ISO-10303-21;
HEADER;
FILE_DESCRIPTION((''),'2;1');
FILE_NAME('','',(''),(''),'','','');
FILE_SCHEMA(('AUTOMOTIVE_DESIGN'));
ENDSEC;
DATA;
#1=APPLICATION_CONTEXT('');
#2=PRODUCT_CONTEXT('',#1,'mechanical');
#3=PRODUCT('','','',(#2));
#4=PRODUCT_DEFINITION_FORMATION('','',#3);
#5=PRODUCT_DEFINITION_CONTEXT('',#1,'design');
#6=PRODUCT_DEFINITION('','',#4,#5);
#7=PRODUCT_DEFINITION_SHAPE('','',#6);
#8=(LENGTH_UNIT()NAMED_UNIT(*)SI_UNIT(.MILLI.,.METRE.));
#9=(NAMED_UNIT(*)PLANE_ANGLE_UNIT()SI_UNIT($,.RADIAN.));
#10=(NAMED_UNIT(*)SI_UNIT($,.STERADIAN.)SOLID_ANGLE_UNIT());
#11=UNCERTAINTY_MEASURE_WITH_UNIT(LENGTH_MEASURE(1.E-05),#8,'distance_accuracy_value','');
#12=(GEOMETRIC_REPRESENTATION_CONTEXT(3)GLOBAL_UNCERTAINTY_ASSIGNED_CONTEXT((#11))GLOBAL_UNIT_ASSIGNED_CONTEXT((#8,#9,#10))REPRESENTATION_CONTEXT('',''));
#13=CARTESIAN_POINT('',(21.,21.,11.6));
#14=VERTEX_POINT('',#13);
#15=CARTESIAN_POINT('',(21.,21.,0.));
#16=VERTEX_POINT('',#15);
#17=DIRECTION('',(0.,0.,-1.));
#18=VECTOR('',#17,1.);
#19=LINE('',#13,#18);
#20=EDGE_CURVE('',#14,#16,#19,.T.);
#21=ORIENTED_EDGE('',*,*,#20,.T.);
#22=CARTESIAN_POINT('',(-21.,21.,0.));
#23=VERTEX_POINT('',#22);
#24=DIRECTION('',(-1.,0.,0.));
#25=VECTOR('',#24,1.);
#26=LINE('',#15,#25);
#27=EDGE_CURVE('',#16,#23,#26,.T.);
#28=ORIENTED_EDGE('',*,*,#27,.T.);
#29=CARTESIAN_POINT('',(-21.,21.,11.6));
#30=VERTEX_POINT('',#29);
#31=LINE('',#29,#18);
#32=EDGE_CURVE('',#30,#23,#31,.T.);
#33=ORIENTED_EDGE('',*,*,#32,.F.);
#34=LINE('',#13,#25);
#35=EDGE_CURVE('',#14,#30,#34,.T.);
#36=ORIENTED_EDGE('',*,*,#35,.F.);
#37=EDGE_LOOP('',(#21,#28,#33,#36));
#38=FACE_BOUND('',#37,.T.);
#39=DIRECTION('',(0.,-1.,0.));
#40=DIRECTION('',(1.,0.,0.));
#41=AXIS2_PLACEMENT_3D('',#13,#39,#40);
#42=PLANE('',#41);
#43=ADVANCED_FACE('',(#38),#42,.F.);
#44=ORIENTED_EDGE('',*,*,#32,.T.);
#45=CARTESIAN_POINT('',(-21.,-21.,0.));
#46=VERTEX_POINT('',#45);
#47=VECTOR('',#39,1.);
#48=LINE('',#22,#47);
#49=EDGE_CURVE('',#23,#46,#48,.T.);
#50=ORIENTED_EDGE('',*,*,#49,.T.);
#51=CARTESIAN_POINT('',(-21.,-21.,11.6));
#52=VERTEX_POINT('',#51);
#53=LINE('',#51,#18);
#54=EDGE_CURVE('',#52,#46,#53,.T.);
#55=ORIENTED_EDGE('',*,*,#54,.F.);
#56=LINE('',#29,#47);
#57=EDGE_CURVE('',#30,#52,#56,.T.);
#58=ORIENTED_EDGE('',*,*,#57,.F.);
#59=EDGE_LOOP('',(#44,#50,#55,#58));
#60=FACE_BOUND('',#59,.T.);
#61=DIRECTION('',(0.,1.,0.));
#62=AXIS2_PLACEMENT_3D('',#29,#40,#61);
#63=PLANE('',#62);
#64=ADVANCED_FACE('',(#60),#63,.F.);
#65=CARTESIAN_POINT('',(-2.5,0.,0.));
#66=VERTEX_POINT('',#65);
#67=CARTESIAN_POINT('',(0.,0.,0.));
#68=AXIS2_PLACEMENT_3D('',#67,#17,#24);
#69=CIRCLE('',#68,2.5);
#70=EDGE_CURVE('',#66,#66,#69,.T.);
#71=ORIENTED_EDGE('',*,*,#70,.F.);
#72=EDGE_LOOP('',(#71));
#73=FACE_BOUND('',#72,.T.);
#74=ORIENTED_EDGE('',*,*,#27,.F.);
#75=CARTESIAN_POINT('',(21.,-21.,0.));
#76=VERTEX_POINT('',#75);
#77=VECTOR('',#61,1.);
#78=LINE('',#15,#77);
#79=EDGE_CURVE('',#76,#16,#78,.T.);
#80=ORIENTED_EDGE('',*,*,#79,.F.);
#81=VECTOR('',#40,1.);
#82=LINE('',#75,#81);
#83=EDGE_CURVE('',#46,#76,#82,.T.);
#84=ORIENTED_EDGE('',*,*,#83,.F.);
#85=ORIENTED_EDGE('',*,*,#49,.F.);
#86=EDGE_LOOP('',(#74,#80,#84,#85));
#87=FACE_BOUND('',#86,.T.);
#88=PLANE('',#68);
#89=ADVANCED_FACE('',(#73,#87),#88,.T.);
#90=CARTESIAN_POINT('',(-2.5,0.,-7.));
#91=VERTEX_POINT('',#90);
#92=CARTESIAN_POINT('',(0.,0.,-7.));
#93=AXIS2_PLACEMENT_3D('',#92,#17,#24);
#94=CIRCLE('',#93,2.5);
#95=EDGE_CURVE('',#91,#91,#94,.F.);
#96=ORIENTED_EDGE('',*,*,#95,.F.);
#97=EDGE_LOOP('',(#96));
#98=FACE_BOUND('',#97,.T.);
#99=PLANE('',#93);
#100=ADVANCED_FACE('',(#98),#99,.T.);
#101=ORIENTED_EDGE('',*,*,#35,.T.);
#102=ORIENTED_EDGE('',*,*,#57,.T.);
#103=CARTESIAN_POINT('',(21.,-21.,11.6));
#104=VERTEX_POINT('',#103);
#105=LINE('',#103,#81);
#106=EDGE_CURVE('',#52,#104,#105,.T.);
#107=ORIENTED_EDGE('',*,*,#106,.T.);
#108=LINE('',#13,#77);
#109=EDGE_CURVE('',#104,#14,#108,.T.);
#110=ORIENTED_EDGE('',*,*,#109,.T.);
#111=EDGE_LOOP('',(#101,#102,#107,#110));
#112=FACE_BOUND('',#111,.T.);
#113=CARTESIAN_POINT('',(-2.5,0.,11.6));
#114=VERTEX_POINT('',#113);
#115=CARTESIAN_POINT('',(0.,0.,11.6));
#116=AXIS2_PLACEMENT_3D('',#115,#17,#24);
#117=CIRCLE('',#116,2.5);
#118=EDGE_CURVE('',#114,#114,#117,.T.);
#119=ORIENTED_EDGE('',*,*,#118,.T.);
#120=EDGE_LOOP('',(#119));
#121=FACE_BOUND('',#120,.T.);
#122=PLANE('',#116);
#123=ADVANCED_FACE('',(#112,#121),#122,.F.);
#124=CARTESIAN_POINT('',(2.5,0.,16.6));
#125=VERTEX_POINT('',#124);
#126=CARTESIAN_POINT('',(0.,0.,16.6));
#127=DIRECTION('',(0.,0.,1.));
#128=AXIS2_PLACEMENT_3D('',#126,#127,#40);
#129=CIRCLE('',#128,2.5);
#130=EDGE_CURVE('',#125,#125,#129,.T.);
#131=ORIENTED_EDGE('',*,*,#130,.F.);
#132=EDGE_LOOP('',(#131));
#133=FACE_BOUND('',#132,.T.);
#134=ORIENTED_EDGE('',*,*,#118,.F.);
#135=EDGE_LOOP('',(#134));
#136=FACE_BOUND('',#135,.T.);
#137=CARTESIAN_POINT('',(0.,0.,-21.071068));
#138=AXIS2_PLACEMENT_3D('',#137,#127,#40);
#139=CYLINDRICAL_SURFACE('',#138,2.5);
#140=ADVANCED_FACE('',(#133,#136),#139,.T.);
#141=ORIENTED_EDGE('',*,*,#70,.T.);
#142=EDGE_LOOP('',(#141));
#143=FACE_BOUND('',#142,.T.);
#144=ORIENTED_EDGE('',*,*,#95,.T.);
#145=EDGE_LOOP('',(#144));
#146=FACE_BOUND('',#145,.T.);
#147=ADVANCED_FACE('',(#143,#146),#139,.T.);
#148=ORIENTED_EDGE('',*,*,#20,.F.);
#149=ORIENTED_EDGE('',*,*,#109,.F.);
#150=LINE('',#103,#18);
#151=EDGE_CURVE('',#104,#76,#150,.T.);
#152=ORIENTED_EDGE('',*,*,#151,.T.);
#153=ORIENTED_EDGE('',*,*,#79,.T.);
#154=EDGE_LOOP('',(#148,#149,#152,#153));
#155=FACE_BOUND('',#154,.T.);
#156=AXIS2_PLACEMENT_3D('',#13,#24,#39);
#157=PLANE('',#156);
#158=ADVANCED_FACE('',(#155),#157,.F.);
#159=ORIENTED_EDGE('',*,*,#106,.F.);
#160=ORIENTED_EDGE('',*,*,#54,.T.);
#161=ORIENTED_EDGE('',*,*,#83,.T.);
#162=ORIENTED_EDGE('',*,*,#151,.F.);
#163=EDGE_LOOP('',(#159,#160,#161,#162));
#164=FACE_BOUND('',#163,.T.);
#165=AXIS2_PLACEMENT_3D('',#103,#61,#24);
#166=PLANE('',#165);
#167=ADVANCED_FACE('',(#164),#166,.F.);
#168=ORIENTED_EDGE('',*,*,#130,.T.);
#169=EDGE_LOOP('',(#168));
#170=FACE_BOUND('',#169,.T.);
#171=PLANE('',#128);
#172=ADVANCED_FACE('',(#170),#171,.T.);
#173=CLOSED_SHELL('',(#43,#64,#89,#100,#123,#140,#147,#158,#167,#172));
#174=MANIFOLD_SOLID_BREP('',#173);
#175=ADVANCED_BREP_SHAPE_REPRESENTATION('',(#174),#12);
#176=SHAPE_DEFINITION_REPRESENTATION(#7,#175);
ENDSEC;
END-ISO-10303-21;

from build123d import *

# Parameters (mm, degrees)
SKETCH1_W                = 42
SKETCH1_H                = 42
BOSS_EXTRUDE1_DEPTH      = 11.6
BOSS_EXTRUDE2_DEPTH      = 5
BOSS_EXTRUDE2_DEPTH_BACK = 18.6
SKETCH2_R                = 2.5


with BuildPart() as part:
    # Sketch1 → Boss-Extrude1 (new body)
    with BuildSketch(Plane.XY):
        Rectangle(SKETCH1_W, SKETCH1_H)
    extrude(amount=BOSS_EXTRUDE1_DEPTH)

    # Sketch2 → Boss-Extrude2 (add, two sides: drawn at the far end of the back side and taken through both)
    with BuildSketch(Plane.XY.offset(11.6).offset(-BOSS_EXTRUDE2_DEPTH_BACK)):
        with Locations(Location((0, 0, 0), (0, 0, 180))):
            Circle(SKETCH2_R)
    extrude(amount=BOSS_EXTRUDE2_DEPTH + BOSS_EXTRUDE2_DEPTH_BACK)


solid = part.part
